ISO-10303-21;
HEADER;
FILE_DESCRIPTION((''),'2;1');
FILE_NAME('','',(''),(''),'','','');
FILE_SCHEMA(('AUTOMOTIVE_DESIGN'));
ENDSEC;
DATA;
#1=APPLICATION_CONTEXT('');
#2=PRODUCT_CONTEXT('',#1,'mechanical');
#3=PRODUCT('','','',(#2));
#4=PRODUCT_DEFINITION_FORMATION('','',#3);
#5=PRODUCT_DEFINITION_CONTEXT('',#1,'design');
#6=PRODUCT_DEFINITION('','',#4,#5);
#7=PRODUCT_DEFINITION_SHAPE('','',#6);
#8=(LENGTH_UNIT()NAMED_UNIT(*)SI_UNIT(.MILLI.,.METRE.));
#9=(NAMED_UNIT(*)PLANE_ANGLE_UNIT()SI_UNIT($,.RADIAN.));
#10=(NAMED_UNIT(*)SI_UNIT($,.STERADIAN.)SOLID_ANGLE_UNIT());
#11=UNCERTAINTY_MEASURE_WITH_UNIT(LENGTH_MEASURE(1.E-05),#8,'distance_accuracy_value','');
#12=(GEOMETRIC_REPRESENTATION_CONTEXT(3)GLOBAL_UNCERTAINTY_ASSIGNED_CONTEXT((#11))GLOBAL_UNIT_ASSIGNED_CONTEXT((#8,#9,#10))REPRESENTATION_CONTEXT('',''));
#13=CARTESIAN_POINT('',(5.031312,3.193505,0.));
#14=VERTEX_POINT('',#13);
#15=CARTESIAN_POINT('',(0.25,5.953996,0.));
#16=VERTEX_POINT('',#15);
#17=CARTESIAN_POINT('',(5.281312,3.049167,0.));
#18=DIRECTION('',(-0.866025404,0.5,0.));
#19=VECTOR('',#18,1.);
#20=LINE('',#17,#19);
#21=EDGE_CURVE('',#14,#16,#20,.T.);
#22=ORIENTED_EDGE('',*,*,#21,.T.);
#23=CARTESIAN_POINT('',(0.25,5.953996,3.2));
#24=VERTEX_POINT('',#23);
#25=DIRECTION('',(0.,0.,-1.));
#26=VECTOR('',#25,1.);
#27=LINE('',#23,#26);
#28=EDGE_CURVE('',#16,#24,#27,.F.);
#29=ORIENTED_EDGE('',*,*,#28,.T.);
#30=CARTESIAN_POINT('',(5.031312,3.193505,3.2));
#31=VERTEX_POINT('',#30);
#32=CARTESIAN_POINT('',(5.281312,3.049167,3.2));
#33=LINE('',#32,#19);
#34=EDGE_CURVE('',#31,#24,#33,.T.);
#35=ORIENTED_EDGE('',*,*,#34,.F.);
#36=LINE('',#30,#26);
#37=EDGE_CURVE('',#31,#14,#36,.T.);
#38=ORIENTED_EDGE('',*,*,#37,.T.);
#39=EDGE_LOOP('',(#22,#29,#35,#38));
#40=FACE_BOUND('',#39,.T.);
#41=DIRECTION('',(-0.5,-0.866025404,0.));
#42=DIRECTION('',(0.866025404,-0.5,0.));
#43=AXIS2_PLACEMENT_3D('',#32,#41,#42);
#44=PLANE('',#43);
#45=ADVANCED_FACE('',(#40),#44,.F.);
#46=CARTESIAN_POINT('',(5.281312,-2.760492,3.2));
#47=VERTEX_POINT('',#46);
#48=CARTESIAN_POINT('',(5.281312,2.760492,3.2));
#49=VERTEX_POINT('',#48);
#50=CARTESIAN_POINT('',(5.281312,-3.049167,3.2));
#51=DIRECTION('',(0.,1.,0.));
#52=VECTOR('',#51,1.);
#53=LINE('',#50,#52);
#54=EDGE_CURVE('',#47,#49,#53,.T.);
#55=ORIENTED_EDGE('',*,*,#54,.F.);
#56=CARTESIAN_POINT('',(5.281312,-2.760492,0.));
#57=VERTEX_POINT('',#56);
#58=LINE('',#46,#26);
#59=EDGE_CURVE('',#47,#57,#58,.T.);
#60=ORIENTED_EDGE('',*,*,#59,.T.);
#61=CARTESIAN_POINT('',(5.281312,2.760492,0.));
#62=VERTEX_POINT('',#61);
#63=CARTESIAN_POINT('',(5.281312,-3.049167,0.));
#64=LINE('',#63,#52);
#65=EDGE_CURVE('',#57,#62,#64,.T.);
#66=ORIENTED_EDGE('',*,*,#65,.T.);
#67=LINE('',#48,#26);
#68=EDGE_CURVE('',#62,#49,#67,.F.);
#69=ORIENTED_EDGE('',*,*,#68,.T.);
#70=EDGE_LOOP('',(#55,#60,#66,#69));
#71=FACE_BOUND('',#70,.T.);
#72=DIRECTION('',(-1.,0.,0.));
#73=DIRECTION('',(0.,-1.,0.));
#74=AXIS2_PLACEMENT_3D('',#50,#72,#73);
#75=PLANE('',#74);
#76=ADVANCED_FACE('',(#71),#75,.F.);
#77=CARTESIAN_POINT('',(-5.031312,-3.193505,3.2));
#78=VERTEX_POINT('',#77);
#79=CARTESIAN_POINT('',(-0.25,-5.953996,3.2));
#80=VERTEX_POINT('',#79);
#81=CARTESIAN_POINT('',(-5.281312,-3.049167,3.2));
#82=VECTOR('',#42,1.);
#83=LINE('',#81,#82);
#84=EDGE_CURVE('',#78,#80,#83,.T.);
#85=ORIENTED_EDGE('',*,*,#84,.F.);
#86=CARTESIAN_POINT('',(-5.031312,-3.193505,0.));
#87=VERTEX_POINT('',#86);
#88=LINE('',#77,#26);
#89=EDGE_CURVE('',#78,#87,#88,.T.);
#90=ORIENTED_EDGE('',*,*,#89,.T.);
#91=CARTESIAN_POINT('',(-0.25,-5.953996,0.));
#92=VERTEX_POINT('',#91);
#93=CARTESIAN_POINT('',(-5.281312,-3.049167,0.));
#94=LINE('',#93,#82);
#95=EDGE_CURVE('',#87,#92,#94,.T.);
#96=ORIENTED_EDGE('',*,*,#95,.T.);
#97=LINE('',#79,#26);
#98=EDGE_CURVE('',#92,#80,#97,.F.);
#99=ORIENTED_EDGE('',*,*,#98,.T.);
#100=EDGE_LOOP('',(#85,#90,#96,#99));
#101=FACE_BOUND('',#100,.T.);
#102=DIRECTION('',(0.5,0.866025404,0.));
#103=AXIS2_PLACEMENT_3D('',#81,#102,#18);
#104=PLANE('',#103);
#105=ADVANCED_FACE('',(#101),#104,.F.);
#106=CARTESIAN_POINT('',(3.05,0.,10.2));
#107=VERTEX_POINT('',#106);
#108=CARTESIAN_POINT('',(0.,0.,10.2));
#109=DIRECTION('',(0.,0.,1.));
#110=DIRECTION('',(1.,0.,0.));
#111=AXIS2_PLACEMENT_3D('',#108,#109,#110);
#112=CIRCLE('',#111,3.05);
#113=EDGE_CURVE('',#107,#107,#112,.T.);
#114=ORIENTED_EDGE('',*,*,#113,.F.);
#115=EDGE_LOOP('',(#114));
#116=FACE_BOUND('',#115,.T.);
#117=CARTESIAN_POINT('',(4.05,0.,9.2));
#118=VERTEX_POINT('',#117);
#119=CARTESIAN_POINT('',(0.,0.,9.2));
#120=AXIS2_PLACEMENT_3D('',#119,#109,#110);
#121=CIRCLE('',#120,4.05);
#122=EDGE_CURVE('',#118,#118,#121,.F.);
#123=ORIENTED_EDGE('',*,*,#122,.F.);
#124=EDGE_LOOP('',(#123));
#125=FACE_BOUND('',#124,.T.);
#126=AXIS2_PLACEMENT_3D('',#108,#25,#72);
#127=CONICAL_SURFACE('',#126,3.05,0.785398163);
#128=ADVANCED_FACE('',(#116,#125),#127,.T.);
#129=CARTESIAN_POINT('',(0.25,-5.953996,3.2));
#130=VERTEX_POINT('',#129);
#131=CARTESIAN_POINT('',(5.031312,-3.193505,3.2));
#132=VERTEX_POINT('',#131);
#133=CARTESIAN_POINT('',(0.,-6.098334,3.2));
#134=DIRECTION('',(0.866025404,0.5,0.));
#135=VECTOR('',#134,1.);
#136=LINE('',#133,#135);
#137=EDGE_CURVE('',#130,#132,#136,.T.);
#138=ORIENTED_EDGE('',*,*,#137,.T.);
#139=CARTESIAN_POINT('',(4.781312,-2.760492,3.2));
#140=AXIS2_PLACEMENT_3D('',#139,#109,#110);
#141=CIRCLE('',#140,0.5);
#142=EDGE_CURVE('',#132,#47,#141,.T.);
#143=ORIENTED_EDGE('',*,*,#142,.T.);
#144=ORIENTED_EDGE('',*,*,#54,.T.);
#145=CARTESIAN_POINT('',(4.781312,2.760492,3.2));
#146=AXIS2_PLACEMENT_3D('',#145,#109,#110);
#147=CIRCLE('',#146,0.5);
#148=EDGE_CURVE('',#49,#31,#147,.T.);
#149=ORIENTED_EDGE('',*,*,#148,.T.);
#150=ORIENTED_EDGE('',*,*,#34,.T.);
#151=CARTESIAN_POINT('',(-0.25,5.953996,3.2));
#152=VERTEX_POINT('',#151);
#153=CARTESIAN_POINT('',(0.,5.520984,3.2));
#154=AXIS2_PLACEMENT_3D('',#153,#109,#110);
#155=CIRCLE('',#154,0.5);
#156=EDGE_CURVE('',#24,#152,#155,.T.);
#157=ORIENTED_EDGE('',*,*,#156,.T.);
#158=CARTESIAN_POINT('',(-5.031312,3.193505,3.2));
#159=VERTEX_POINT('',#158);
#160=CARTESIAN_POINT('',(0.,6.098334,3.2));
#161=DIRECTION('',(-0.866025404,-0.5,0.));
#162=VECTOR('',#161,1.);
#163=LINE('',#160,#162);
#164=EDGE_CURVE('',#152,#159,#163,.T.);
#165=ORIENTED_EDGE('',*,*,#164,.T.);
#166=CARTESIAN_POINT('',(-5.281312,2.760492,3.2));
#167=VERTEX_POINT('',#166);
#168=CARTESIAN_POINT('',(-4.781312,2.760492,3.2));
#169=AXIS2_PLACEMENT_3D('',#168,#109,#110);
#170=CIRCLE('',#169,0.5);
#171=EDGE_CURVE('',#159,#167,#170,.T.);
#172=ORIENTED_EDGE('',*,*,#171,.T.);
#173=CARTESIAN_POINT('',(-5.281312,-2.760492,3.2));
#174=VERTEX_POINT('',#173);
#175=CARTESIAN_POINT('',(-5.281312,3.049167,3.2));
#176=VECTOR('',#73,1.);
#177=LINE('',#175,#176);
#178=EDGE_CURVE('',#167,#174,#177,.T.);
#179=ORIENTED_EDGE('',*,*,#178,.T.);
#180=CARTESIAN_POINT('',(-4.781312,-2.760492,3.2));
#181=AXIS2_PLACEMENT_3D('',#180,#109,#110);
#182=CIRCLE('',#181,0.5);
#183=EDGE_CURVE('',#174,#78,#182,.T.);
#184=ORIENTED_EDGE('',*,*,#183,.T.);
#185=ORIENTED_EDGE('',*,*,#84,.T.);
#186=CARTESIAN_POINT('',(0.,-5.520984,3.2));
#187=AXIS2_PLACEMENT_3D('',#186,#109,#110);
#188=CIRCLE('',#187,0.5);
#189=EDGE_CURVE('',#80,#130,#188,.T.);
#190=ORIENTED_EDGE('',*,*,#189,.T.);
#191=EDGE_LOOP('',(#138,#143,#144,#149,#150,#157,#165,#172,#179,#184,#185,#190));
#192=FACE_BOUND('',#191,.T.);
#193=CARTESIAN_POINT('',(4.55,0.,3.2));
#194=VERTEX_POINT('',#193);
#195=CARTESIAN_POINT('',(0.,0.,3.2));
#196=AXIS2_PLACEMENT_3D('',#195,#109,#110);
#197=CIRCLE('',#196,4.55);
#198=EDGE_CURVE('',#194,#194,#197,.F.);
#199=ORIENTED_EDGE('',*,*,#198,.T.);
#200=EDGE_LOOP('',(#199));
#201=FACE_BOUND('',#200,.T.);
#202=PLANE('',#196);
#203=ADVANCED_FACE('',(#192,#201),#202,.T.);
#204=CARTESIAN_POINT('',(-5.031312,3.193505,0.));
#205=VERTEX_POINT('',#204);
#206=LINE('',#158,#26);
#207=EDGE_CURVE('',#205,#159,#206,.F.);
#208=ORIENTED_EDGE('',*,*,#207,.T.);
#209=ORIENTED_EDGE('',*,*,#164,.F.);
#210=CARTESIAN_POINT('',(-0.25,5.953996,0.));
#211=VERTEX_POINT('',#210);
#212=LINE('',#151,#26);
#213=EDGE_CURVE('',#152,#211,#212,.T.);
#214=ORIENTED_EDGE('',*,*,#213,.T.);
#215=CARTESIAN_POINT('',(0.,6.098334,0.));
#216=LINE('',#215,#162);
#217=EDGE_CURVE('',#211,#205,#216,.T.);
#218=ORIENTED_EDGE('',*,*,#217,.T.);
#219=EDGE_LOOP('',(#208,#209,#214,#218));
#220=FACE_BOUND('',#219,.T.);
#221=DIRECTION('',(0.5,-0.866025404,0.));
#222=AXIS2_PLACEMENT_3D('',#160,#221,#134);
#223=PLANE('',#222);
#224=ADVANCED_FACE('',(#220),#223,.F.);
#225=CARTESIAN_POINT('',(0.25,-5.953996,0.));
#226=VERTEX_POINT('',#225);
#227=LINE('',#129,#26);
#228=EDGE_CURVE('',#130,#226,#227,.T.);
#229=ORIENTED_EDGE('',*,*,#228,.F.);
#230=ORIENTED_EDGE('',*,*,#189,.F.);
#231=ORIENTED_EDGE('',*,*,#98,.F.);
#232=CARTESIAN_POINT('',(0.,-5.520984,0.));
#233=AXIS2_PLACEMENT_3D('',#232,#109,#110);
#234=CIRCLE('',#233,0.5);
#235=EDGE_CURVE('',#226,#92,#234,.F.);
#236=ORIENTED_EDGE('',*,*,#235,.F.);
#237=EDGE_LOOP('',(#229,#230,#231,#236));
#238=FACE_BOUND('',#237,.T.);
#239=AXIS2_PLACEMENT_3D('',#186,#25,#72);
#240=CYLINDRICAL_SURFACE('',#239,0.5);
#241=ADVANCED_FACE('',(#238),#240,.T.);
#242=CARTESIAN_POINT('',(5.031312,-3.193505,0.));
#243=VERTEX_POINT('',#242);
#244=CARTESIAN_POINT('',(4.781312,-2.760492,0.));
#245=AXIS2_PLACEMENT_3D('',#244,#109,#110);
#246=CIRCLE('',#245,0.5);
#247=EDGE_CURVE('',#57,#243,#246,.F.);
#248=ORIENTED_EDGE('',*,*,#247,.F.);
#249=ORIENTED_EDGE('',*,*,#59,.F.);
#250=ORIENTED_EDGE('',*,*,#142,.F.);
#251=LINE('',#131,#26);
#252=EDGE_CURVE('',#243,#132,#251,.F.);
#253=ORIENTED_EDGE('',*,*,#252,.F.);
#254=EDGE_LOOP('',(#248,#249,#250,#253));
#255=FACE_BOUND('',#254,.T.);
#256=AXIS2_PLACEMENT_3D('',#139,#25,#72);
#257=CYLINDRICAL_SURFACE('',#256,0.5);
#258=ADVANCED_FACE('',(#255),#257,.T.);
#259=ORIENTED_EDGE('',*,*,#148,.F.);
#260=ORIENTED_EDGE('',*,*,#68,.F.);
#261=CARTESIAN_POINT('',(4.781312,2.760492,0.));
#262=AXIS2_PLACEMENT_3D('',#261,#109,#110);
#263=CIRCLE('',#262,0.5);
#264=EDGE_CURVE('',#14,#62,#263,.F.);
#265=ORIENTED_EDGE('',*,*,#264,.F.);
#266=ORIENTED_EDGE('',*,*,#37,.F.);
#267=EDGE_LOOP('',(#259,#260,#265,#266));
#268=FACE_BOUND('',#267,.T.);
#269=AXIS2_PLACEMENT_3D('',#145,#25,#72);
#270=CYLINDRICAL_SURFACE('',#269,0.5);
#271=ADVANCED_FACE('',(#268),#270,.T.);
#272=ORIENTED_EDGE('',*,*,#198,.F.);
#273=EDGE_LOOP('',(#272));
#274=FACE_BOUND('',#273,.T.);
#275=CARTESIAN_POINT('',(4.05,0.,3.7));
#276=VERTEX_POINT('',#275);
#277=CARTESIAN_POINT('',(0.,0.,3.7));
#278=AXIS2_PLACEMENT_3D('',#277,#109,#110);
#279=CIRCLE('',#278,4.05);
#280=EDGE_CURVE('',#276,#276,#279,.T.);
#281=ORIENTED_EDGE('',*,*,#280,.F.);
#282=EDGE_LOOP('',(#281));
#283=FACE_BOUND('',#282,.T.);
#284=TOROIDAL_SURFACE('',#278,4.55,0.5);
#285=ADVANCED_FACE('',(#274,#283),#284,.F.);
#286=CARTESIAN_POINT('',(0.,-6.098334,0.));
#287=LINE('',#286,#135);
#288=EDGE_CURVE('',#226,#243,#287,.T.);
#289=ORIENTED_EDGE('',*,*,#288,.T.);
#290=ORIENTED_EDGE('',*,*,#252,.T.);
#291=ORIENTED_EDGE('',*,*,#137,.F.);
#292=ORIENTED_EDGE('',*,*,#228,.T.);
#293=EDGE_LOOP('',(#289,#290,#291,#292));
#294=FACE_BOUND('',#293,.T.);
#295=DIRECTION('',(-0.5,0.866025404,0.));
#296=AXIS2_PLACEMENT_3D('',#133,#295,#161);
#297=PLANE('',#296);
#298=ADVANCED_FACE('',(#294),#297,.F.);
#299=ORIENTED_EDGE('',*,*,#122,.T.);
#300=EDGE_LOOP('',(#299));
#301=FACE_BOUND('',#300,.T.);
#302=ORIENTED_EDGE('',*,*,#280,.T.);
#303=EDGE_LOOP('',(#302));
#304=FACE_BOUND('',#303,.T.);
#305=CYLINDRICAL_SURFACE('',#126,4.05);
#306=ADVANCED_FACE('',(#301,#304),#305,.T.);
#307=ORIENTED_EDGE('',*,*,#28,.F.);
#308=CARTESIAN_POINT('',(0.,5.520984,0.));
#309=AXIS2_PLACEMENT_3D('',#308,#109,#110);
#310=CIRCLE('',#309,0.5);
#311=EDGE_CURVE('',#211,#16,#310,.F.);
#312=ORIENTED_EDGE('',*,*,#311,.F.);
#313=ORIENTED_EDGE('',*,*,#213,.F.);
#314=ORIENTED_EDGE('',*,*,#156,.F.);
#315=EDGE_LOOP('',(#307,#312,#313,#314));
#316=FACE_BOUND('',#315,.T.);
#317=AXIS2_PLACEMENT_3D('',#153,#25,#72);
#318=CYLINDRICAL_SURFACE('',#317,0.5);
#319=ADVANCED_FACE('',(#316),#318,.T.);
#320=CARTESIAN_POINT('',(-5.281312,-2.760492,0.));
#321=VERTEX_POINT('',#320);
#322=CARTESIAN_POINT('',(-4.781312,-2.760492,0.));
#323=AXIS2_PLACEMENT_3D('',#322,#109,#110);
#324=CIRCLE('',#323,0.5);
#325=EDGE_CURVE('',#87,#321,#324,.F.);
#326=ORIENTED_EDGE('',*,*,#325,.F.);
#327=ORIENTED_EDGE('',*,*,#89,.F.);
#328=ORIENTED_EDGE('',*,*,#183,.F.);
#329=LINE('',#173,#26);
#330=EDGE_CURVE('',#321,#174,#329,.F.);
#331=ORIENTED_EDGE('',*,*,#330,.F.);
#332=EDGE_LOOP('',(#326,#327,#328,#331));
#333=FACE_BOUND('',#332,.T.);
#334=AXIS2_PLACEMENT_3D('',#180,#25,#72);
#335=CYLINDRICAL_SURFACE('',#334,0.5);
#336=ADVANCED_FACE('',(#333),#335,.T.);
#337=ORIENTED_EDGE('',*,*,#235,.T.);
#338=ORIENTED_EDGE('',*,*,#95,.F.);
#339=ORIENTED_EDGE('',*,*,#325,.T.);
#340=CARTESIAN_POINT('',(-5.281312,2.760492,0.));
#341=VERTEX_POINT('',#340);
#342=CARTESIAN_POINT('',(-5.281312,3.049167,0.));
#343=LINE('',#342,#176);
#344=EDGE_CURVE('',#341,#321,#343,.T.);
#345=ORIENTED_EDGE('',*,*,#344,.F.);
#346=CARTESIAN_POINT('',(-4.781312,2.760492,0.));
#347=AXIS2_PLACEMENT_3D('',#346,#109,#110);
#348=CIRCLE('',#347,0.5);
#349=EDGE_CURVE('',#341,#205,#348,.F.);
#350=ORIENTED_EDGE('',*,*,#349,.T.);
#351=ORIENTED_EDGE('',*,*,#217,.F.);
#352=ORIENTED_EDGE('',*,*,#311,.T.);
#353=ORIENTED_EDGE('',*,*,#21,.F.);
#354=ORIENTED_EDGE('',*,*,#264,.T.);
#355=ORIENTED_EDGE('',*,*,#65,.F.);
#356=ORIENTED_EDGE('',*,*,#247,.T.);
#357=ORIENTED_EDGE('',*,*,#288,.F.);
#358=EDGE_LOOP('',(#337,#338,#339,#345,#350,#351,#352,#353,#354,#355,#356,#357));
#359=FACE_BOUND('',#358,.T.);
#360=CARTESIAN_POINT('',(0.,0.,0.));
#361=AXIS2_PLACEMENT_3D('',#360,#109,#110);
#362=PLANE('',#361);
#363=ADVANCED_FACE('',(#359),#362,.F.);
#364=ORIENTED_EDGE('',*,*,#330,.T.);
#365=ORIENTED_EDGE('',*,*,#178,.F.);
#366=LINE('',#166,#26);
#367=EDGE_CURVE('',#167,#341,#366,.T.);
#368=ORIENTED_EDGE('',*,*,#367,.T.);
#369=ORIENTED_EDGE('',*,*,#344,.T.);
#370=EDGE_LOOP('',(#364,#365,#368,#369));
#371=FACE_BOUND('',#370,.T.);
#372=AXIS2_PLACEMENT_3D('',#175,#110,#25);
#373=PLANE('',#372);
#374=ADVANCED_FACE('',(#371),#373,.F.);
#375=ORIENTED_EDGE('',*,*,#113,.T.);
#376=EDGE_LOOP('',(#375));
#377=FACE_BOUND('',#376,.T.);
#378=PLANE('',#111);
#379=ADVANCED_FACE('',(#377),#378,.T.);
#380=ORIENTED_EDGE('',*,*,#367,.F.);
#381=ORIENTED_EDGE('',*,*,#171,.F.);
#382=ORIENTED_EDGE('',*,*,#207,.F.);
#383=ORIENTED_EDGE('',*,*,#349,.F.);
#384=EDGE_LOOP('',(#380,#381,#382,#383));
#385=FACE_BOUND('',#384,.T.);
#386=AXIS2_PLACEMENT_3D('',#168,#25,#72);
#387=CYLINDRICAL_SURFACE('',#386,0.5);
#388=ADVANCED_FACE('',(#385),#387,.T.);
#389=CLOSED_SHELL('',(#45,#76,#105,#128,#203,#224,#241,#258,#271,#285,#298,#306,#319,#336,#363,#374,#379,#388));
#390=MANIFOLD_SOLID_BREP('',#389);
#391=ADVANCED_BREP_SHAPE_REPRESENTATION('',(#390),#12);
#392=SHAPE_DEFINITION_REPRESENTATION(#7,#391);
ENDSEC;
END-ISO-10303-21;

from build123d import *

# Parameters (mm, degrees)
BOSS_EXTRUDE1_DEPTH = 3.2
SKETCH2_R           = 4.05
BOSS_EXTRUDE2_DEPTH = 7
FILLET1_R           = 0.5
CHAMFER1_SIZE       = 1


with BuildPart() as part:
    # Sketch1 → Boss-Extrude1 (new body)
    with BuildSketch(Plane.XY):
        Polygon((5.281312122, 3.049166975), (0, 6.09833395), (-5.281312122, 3.049166975), (-5.281312122, -3.049166975), (0, -6.09833395), (5.281312122, -3.049166975), align=None)
    extrude(amount=BOSS_EXTRUDE1_DEPTH)

    # Sketch2 → Boss-Extrude2 (add)
    with BuildSketch(Plane.XY.offset(3.2)):
        Circle(SKETCH2_R)
    extrude(amount=BOSS_EXTRUDE2_DEPTH)

    # Fillet1
    fillet1_edges = [part.edges().sort_by_distance(p)[0] for p in [
        (5.281312122, -3.049166975, 1.6),
        (0, -6.09833395, 1.6),
        (-5.281312122, -3.049166975, 1.6),
        (-5.281312122, 3.049166975, 1.6),
        (0, 6.09833395, 1.6),
        (5.281312122, 3.049166975, 1.6),
        (-4.05, 0, 3.2),
    ]]
    fillet(fillet1_edges, radius=FILLET1_R)

    # Chamfer1
    chamfer1_edges = [part.edges().sort_by_distance(p)[0] for p in [
        (-4.05, 0, 10.2),
    ]]
    chamfer(chamfer1_edges, length=CHAMFER1_SIZE)


solid = part.part
